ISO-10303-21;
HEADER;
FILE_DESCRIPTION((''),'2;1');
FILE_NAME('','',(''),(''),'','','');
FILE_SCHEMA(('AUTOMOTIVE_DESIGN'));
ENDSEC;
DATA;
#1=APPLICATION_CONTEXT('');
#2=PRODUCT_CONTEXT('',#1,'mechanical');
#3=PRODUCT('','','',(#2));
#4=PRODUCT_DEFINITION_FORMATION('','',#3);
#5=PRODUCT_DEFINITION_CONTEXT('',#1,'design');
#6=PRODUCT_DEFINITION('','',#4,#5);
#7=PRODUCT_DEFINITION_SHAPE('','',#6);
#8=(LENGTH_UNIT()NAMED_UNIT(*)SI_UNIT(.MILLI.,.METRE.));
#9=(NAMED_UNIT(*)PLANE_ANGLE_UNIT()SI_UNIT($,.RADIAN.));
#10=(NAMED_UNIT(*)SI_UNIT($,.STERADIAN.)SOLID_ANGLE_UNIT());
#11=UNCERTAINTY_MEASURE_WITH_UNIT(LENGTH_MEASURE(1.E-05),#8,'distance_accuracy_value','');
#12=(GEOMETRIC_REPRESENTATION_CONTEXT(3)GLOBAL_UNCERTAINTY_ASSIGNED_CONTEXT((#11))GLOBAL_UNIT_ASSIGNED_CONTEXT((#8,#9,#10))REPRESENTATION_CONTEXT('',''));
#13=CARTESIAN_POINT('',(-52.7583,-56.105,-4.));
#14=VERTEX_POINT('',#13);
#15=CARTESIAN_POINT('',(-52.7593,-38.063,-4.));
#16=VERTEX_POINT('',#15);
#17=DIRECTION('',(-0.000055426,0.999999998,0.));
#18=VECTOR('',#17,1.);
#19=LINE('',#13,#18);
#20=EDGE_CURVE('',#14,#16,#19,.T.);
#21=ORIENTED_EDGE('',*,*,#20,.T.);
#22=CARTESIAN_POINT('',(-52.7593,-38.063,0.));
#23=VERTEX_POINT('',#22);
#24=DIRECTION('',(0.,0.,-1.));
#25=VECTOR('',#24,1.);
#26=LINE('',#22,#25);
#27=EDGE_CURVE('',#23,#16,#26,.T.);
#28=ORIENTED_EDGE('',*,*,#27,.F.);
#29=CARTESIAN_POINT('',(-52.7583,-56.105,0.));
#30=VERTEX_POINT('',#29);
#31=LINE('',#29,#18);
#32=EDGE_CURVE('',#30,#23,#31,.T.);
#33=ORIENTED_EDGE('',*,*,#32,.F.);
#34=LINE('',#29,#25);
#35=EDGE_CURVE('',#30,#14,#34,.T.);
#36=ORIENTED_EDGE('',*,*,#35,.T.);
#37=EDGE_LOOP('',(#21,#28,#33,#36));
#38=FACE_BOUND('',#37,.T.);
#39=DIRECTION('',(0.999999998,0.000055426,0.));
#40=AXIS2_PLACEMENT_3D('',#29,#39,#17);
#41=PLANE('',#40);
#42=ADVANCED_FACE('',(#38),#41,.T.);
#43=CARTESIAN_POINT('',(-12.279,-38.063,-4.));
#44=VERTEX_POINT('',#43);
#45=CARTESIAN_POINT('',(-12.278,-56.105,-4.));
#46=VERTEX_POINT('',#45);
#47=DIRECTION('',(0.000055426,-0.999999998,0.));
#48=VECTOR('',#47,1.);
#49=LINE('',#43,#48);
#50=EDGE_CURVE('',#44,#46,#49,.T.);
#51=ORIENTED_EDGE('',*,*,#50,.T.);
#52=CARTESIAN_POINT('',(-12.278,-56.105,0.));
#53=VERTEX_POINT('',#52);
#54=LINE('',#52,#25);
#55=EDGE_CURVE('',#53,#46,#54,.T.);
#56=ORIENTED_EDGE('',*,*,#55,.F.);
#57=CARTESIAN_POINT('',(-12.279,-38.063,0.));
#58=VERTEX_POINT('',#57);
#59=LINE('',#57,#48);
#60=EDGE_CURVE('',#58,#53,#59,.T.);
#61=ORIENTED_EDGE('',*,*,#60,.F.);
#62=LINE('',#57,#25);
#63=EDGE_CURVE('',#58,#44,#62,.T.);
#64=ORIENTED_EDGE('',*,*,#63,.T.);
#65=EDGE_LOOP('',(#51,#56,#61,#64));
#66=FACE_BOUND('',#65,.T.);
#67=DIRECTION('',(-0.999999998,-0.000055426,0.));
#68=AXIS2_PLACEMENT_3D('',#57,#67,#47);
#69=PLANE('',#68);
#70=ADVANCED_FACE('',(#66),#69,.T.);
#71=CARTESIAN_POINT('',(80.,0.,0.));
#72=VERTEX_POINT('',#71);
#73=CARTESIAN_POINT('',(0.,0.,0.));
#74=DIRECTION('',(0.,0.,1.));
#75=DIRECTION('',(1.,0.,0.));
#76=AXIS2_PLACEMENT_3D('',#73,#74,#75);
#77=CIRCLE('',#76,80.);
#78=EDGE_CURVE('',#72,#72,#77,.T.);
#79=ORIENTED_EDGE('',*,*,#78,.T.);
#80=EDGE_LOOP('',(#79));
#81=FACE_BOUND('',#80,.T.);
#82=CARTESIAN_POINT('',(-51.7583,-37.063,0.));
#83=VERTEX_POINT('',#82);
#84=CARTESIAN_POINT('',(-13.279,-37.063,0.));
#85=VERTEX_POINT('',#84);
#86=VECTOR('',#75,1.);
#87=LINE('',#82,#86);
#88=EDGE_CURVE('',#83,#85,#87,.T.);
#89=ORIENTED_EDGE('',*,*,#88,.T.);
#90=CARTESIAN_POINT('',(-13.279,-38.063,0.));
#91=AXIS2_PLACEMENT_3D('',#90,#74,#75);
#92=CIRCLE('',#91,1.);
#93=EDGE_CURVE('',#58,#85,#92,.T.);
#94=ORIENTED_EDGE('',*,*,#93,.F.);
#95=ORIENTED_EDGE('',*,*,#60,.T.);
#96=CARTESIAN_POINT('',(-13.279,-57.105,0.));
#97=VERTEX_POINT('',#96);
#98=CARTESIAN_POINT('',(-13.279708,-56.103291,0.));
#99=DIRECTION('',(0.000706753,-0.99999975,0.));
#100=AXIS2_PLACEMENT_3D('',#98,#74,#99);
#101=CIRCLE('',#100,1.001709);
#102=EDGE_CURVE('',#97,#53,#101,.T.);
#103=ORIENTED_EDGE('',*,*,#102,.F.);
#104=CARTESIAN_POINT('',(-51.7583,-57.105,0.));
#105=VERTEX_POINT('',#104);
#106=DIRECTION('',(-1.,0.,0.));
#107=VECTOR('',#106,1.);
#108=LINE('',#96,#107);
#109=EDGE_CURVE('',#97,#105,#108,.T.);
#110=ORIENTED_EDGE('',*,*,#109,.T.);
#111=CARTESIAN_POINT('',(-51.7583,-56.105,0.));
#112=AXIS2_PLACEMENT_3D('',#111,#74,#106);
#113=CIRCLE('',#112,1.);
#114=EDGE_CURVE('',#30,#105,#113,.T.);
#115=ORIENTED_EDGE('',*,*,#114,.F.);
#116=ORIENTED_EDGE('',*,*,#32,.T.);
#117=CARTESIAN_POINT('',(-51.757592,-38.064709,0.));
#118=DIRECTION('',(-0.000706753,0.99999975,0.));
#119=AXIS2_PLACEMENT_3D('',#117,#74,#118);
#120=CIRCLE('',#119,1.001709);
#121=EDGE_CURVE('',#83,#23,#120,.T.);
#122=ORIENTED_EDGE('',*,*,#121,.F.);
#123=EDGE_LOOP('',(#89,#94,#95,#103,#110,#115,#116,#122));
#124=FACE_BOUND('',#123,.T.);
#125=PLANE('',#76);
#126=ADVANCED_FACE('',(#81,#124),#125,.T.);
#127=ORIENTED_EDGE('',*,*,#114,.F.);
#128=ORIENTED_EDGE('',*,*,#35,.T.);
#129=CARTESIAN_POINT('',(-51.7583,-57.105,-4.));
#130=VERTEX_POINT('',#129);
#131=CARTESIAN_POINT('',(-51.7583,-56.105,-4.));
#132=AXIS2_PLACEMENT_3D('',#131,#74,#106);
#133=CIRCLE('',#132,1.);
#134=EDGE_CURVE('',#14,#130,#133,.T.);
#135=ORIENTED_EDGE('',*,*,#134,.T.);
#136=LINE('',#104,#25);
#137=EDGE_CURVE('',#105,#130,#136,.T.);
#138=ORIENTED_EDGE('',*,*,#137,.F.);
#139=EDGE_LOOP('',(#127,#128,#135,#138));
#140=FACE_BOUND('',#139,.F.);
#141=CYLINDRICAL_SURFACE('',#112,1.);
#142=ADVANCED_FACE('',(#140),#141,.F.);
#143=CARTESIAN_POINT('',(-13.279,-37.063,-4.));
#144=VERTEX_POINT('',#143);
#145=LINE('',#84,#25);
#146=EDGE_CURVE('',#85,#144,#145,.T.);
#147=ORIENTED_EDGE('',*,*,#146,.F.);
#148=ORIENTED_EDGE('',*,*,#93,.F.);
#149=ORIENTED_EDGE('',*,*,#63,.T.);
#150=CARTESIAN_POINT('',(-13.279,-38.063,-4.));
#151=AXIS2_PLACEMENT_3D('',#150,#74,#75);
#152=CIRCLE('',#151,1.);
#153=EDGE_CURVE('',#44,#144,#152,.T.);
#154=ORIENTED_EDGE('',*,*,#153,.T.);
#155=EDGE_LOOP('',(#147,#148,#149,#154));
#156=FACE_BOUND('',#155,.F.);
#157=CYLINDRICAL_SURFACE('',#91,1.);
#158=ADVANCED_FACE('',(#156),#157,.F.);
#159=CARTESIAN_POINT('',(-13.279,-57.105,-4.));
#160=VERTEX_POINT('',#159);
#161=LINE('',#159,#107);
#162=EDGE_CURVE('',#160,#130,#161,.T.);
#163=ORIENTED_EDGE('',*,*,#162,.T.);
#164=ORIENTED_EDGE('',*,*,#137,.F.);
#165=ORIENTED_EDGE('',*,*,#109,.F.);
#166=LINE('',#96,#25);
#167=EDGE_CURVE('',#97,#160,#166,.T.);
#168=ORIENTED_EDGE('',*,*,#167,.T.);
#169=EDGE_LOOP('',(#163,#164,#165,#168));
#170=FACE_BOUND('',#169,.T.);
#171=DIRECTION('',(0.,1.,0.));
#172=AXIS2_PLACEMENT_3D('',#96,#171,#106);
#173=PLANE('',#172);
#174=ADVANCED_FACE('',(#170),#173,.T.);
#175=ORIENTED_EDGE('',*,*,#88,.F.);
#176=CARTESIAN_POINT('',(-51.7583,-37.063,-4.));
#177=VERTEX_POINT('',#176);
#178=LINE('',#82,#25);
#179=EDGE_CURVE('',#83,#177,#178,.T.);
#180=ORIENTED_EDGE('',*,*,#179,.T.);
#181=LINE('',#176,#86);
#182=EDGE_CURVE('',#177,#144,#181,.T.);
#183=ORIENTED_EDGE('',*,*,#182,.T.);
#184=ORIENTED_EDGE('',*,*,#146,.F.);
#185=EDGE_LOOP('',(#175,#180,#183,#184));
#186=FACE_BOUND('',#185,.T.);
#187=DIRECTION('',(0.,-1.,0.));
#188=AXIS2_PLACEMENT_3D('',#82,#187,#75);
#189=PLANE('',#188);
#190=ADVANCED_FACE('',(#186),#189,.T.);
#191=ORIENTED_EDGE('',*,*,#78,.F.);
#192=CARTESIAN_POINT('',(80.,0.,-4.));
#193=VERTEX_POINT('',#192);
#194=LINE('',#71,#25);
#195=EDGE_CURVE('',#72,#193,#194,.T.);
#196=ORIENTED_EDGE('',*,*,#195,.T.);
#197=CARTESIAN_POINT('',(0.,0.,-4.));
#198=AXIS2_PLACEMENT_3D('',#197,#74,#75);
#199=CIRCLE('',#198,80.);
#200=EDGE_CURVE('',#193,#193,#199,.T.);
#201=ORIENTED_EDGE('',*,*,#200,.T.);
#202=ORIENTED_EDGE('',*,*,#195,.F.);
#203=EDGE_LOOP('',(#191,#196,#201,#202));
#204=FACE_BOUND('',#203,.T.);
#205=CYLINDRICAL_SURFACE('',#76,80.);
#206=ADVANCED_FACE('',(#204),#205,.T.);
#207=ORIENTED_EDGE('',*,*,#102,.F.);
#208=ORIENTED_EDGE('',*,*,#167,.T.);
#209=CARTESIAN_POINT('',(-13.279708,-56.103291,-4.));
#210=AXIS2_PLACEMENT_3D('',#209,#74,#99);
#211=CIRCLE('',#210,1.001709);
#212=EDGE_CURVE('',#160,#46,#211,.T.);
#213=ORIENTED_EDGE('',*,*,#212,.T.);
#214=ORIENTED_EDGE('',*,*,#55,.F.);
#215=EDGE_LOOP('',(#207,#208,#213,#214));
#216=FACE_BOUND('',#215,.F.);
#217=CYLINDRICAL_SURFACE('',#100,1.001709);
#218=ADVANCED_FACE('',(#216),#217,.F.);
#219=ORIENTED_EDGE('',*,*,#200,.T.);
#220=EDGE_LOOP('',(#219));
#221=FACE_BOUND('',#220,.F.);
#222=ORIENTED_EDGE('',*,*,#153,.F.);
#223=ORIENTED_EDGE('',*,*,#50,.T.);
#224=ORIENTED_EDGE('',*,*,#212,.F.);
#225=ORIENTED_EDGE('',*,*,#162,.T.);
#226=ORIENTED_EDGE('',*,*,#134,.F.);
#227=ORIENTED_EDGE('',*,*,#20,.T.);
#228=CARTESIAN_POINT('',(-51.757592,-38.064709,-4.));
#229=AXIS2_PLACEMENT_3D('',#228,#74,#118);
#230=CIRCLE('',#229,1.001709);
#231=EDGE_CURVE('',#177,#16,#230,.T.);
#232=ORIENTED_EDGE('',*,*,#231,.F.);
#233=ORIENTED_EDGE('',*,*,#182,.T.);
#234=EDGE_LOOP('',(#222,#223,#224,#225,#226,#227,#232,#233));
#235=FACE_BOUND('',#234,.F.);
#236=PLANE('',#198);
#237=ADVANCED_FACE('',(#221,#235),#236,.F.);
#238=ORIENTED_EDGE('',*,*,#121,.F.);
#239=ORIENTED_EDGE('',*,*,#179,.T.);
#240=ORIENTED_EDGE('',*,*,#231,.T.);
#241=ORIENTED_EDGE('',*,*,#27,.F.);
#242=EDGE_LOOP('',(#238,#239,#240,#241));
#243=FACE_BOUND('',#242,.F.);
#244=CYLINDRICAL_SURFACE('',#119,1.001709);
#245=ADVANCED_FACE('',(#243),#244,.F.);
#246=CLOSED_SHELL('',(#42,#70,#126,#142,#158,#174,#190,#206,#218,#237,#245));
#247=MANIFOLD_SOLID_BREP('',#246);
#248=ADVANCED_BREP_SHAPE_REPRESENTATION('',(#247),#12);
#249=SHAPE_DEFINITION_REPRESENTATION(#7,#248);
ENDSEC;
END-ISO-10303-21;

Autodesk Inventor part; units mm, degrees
ref_plane "YZ Plane" through (0, 0, 0) normal (1, 0, 0) x (0, 1, 0)
ref_plane "XZ Plane" through (0, 0, 0) normal (0, 1, 0) x (-1, 0, 0)
ref_plane "XY Plane" through (0, 0, 0) normal (0, 0, 1) x (1, 0, 0)
sketch "Эскиз1" plane through (0, 0, 0) normal (0, 0, 1) x (1, 0, 0)
  circle A0 centre (0, 0) radius 80
  line L0 (-52.7593, -38.063) -> (-52.778, -56.063) projected
  line L1 (-14.2583, -37.1029) -> (-50.7583, -37.0651) projected
  line L2 (-12.278, -56.105) -> (-12.2594, -38.105) projected
  line L3 (-50.779, -57.0651) -> (-14.279, -57.1029) projected
  line L4 (-51.7583, -37.063) -> (-13.279, -37.063)
  line L5 (-12.279, -38.063) -> (-12.279, -56.105)
  line L6 (-13.279, -57.105) -> (-51.7583, -57.105)
  line L7 (-52.7583, -56.105) -> (-52.7583, -38.063)
  arc A1 (-52.7583, -56.105) -> (-51.7583, -57.105) centre (-51.7583, -56.105) ccw
  arc A2 (-51.7583, -37.063) -> (-52.7583, -38.063) centre (-51.7583, -38.063) ccw
  arc A3 (-13.279, -57.105) -> (-12.279, -56.105) centre (-13.279, -56.105) ccw
  arc A4 (-12.279, -38.063) -> (-13.279, -37.063) centre (-13.279, -38.063) ccw
  point P0 (-52.7583, -37.063)
  dimension "d2" = 160
  dimension "d3" = 1
extrude "Выдавливание1" add sketch "Эскиз1" against normal blind 4
properties part number "нижний эллипс головы"
